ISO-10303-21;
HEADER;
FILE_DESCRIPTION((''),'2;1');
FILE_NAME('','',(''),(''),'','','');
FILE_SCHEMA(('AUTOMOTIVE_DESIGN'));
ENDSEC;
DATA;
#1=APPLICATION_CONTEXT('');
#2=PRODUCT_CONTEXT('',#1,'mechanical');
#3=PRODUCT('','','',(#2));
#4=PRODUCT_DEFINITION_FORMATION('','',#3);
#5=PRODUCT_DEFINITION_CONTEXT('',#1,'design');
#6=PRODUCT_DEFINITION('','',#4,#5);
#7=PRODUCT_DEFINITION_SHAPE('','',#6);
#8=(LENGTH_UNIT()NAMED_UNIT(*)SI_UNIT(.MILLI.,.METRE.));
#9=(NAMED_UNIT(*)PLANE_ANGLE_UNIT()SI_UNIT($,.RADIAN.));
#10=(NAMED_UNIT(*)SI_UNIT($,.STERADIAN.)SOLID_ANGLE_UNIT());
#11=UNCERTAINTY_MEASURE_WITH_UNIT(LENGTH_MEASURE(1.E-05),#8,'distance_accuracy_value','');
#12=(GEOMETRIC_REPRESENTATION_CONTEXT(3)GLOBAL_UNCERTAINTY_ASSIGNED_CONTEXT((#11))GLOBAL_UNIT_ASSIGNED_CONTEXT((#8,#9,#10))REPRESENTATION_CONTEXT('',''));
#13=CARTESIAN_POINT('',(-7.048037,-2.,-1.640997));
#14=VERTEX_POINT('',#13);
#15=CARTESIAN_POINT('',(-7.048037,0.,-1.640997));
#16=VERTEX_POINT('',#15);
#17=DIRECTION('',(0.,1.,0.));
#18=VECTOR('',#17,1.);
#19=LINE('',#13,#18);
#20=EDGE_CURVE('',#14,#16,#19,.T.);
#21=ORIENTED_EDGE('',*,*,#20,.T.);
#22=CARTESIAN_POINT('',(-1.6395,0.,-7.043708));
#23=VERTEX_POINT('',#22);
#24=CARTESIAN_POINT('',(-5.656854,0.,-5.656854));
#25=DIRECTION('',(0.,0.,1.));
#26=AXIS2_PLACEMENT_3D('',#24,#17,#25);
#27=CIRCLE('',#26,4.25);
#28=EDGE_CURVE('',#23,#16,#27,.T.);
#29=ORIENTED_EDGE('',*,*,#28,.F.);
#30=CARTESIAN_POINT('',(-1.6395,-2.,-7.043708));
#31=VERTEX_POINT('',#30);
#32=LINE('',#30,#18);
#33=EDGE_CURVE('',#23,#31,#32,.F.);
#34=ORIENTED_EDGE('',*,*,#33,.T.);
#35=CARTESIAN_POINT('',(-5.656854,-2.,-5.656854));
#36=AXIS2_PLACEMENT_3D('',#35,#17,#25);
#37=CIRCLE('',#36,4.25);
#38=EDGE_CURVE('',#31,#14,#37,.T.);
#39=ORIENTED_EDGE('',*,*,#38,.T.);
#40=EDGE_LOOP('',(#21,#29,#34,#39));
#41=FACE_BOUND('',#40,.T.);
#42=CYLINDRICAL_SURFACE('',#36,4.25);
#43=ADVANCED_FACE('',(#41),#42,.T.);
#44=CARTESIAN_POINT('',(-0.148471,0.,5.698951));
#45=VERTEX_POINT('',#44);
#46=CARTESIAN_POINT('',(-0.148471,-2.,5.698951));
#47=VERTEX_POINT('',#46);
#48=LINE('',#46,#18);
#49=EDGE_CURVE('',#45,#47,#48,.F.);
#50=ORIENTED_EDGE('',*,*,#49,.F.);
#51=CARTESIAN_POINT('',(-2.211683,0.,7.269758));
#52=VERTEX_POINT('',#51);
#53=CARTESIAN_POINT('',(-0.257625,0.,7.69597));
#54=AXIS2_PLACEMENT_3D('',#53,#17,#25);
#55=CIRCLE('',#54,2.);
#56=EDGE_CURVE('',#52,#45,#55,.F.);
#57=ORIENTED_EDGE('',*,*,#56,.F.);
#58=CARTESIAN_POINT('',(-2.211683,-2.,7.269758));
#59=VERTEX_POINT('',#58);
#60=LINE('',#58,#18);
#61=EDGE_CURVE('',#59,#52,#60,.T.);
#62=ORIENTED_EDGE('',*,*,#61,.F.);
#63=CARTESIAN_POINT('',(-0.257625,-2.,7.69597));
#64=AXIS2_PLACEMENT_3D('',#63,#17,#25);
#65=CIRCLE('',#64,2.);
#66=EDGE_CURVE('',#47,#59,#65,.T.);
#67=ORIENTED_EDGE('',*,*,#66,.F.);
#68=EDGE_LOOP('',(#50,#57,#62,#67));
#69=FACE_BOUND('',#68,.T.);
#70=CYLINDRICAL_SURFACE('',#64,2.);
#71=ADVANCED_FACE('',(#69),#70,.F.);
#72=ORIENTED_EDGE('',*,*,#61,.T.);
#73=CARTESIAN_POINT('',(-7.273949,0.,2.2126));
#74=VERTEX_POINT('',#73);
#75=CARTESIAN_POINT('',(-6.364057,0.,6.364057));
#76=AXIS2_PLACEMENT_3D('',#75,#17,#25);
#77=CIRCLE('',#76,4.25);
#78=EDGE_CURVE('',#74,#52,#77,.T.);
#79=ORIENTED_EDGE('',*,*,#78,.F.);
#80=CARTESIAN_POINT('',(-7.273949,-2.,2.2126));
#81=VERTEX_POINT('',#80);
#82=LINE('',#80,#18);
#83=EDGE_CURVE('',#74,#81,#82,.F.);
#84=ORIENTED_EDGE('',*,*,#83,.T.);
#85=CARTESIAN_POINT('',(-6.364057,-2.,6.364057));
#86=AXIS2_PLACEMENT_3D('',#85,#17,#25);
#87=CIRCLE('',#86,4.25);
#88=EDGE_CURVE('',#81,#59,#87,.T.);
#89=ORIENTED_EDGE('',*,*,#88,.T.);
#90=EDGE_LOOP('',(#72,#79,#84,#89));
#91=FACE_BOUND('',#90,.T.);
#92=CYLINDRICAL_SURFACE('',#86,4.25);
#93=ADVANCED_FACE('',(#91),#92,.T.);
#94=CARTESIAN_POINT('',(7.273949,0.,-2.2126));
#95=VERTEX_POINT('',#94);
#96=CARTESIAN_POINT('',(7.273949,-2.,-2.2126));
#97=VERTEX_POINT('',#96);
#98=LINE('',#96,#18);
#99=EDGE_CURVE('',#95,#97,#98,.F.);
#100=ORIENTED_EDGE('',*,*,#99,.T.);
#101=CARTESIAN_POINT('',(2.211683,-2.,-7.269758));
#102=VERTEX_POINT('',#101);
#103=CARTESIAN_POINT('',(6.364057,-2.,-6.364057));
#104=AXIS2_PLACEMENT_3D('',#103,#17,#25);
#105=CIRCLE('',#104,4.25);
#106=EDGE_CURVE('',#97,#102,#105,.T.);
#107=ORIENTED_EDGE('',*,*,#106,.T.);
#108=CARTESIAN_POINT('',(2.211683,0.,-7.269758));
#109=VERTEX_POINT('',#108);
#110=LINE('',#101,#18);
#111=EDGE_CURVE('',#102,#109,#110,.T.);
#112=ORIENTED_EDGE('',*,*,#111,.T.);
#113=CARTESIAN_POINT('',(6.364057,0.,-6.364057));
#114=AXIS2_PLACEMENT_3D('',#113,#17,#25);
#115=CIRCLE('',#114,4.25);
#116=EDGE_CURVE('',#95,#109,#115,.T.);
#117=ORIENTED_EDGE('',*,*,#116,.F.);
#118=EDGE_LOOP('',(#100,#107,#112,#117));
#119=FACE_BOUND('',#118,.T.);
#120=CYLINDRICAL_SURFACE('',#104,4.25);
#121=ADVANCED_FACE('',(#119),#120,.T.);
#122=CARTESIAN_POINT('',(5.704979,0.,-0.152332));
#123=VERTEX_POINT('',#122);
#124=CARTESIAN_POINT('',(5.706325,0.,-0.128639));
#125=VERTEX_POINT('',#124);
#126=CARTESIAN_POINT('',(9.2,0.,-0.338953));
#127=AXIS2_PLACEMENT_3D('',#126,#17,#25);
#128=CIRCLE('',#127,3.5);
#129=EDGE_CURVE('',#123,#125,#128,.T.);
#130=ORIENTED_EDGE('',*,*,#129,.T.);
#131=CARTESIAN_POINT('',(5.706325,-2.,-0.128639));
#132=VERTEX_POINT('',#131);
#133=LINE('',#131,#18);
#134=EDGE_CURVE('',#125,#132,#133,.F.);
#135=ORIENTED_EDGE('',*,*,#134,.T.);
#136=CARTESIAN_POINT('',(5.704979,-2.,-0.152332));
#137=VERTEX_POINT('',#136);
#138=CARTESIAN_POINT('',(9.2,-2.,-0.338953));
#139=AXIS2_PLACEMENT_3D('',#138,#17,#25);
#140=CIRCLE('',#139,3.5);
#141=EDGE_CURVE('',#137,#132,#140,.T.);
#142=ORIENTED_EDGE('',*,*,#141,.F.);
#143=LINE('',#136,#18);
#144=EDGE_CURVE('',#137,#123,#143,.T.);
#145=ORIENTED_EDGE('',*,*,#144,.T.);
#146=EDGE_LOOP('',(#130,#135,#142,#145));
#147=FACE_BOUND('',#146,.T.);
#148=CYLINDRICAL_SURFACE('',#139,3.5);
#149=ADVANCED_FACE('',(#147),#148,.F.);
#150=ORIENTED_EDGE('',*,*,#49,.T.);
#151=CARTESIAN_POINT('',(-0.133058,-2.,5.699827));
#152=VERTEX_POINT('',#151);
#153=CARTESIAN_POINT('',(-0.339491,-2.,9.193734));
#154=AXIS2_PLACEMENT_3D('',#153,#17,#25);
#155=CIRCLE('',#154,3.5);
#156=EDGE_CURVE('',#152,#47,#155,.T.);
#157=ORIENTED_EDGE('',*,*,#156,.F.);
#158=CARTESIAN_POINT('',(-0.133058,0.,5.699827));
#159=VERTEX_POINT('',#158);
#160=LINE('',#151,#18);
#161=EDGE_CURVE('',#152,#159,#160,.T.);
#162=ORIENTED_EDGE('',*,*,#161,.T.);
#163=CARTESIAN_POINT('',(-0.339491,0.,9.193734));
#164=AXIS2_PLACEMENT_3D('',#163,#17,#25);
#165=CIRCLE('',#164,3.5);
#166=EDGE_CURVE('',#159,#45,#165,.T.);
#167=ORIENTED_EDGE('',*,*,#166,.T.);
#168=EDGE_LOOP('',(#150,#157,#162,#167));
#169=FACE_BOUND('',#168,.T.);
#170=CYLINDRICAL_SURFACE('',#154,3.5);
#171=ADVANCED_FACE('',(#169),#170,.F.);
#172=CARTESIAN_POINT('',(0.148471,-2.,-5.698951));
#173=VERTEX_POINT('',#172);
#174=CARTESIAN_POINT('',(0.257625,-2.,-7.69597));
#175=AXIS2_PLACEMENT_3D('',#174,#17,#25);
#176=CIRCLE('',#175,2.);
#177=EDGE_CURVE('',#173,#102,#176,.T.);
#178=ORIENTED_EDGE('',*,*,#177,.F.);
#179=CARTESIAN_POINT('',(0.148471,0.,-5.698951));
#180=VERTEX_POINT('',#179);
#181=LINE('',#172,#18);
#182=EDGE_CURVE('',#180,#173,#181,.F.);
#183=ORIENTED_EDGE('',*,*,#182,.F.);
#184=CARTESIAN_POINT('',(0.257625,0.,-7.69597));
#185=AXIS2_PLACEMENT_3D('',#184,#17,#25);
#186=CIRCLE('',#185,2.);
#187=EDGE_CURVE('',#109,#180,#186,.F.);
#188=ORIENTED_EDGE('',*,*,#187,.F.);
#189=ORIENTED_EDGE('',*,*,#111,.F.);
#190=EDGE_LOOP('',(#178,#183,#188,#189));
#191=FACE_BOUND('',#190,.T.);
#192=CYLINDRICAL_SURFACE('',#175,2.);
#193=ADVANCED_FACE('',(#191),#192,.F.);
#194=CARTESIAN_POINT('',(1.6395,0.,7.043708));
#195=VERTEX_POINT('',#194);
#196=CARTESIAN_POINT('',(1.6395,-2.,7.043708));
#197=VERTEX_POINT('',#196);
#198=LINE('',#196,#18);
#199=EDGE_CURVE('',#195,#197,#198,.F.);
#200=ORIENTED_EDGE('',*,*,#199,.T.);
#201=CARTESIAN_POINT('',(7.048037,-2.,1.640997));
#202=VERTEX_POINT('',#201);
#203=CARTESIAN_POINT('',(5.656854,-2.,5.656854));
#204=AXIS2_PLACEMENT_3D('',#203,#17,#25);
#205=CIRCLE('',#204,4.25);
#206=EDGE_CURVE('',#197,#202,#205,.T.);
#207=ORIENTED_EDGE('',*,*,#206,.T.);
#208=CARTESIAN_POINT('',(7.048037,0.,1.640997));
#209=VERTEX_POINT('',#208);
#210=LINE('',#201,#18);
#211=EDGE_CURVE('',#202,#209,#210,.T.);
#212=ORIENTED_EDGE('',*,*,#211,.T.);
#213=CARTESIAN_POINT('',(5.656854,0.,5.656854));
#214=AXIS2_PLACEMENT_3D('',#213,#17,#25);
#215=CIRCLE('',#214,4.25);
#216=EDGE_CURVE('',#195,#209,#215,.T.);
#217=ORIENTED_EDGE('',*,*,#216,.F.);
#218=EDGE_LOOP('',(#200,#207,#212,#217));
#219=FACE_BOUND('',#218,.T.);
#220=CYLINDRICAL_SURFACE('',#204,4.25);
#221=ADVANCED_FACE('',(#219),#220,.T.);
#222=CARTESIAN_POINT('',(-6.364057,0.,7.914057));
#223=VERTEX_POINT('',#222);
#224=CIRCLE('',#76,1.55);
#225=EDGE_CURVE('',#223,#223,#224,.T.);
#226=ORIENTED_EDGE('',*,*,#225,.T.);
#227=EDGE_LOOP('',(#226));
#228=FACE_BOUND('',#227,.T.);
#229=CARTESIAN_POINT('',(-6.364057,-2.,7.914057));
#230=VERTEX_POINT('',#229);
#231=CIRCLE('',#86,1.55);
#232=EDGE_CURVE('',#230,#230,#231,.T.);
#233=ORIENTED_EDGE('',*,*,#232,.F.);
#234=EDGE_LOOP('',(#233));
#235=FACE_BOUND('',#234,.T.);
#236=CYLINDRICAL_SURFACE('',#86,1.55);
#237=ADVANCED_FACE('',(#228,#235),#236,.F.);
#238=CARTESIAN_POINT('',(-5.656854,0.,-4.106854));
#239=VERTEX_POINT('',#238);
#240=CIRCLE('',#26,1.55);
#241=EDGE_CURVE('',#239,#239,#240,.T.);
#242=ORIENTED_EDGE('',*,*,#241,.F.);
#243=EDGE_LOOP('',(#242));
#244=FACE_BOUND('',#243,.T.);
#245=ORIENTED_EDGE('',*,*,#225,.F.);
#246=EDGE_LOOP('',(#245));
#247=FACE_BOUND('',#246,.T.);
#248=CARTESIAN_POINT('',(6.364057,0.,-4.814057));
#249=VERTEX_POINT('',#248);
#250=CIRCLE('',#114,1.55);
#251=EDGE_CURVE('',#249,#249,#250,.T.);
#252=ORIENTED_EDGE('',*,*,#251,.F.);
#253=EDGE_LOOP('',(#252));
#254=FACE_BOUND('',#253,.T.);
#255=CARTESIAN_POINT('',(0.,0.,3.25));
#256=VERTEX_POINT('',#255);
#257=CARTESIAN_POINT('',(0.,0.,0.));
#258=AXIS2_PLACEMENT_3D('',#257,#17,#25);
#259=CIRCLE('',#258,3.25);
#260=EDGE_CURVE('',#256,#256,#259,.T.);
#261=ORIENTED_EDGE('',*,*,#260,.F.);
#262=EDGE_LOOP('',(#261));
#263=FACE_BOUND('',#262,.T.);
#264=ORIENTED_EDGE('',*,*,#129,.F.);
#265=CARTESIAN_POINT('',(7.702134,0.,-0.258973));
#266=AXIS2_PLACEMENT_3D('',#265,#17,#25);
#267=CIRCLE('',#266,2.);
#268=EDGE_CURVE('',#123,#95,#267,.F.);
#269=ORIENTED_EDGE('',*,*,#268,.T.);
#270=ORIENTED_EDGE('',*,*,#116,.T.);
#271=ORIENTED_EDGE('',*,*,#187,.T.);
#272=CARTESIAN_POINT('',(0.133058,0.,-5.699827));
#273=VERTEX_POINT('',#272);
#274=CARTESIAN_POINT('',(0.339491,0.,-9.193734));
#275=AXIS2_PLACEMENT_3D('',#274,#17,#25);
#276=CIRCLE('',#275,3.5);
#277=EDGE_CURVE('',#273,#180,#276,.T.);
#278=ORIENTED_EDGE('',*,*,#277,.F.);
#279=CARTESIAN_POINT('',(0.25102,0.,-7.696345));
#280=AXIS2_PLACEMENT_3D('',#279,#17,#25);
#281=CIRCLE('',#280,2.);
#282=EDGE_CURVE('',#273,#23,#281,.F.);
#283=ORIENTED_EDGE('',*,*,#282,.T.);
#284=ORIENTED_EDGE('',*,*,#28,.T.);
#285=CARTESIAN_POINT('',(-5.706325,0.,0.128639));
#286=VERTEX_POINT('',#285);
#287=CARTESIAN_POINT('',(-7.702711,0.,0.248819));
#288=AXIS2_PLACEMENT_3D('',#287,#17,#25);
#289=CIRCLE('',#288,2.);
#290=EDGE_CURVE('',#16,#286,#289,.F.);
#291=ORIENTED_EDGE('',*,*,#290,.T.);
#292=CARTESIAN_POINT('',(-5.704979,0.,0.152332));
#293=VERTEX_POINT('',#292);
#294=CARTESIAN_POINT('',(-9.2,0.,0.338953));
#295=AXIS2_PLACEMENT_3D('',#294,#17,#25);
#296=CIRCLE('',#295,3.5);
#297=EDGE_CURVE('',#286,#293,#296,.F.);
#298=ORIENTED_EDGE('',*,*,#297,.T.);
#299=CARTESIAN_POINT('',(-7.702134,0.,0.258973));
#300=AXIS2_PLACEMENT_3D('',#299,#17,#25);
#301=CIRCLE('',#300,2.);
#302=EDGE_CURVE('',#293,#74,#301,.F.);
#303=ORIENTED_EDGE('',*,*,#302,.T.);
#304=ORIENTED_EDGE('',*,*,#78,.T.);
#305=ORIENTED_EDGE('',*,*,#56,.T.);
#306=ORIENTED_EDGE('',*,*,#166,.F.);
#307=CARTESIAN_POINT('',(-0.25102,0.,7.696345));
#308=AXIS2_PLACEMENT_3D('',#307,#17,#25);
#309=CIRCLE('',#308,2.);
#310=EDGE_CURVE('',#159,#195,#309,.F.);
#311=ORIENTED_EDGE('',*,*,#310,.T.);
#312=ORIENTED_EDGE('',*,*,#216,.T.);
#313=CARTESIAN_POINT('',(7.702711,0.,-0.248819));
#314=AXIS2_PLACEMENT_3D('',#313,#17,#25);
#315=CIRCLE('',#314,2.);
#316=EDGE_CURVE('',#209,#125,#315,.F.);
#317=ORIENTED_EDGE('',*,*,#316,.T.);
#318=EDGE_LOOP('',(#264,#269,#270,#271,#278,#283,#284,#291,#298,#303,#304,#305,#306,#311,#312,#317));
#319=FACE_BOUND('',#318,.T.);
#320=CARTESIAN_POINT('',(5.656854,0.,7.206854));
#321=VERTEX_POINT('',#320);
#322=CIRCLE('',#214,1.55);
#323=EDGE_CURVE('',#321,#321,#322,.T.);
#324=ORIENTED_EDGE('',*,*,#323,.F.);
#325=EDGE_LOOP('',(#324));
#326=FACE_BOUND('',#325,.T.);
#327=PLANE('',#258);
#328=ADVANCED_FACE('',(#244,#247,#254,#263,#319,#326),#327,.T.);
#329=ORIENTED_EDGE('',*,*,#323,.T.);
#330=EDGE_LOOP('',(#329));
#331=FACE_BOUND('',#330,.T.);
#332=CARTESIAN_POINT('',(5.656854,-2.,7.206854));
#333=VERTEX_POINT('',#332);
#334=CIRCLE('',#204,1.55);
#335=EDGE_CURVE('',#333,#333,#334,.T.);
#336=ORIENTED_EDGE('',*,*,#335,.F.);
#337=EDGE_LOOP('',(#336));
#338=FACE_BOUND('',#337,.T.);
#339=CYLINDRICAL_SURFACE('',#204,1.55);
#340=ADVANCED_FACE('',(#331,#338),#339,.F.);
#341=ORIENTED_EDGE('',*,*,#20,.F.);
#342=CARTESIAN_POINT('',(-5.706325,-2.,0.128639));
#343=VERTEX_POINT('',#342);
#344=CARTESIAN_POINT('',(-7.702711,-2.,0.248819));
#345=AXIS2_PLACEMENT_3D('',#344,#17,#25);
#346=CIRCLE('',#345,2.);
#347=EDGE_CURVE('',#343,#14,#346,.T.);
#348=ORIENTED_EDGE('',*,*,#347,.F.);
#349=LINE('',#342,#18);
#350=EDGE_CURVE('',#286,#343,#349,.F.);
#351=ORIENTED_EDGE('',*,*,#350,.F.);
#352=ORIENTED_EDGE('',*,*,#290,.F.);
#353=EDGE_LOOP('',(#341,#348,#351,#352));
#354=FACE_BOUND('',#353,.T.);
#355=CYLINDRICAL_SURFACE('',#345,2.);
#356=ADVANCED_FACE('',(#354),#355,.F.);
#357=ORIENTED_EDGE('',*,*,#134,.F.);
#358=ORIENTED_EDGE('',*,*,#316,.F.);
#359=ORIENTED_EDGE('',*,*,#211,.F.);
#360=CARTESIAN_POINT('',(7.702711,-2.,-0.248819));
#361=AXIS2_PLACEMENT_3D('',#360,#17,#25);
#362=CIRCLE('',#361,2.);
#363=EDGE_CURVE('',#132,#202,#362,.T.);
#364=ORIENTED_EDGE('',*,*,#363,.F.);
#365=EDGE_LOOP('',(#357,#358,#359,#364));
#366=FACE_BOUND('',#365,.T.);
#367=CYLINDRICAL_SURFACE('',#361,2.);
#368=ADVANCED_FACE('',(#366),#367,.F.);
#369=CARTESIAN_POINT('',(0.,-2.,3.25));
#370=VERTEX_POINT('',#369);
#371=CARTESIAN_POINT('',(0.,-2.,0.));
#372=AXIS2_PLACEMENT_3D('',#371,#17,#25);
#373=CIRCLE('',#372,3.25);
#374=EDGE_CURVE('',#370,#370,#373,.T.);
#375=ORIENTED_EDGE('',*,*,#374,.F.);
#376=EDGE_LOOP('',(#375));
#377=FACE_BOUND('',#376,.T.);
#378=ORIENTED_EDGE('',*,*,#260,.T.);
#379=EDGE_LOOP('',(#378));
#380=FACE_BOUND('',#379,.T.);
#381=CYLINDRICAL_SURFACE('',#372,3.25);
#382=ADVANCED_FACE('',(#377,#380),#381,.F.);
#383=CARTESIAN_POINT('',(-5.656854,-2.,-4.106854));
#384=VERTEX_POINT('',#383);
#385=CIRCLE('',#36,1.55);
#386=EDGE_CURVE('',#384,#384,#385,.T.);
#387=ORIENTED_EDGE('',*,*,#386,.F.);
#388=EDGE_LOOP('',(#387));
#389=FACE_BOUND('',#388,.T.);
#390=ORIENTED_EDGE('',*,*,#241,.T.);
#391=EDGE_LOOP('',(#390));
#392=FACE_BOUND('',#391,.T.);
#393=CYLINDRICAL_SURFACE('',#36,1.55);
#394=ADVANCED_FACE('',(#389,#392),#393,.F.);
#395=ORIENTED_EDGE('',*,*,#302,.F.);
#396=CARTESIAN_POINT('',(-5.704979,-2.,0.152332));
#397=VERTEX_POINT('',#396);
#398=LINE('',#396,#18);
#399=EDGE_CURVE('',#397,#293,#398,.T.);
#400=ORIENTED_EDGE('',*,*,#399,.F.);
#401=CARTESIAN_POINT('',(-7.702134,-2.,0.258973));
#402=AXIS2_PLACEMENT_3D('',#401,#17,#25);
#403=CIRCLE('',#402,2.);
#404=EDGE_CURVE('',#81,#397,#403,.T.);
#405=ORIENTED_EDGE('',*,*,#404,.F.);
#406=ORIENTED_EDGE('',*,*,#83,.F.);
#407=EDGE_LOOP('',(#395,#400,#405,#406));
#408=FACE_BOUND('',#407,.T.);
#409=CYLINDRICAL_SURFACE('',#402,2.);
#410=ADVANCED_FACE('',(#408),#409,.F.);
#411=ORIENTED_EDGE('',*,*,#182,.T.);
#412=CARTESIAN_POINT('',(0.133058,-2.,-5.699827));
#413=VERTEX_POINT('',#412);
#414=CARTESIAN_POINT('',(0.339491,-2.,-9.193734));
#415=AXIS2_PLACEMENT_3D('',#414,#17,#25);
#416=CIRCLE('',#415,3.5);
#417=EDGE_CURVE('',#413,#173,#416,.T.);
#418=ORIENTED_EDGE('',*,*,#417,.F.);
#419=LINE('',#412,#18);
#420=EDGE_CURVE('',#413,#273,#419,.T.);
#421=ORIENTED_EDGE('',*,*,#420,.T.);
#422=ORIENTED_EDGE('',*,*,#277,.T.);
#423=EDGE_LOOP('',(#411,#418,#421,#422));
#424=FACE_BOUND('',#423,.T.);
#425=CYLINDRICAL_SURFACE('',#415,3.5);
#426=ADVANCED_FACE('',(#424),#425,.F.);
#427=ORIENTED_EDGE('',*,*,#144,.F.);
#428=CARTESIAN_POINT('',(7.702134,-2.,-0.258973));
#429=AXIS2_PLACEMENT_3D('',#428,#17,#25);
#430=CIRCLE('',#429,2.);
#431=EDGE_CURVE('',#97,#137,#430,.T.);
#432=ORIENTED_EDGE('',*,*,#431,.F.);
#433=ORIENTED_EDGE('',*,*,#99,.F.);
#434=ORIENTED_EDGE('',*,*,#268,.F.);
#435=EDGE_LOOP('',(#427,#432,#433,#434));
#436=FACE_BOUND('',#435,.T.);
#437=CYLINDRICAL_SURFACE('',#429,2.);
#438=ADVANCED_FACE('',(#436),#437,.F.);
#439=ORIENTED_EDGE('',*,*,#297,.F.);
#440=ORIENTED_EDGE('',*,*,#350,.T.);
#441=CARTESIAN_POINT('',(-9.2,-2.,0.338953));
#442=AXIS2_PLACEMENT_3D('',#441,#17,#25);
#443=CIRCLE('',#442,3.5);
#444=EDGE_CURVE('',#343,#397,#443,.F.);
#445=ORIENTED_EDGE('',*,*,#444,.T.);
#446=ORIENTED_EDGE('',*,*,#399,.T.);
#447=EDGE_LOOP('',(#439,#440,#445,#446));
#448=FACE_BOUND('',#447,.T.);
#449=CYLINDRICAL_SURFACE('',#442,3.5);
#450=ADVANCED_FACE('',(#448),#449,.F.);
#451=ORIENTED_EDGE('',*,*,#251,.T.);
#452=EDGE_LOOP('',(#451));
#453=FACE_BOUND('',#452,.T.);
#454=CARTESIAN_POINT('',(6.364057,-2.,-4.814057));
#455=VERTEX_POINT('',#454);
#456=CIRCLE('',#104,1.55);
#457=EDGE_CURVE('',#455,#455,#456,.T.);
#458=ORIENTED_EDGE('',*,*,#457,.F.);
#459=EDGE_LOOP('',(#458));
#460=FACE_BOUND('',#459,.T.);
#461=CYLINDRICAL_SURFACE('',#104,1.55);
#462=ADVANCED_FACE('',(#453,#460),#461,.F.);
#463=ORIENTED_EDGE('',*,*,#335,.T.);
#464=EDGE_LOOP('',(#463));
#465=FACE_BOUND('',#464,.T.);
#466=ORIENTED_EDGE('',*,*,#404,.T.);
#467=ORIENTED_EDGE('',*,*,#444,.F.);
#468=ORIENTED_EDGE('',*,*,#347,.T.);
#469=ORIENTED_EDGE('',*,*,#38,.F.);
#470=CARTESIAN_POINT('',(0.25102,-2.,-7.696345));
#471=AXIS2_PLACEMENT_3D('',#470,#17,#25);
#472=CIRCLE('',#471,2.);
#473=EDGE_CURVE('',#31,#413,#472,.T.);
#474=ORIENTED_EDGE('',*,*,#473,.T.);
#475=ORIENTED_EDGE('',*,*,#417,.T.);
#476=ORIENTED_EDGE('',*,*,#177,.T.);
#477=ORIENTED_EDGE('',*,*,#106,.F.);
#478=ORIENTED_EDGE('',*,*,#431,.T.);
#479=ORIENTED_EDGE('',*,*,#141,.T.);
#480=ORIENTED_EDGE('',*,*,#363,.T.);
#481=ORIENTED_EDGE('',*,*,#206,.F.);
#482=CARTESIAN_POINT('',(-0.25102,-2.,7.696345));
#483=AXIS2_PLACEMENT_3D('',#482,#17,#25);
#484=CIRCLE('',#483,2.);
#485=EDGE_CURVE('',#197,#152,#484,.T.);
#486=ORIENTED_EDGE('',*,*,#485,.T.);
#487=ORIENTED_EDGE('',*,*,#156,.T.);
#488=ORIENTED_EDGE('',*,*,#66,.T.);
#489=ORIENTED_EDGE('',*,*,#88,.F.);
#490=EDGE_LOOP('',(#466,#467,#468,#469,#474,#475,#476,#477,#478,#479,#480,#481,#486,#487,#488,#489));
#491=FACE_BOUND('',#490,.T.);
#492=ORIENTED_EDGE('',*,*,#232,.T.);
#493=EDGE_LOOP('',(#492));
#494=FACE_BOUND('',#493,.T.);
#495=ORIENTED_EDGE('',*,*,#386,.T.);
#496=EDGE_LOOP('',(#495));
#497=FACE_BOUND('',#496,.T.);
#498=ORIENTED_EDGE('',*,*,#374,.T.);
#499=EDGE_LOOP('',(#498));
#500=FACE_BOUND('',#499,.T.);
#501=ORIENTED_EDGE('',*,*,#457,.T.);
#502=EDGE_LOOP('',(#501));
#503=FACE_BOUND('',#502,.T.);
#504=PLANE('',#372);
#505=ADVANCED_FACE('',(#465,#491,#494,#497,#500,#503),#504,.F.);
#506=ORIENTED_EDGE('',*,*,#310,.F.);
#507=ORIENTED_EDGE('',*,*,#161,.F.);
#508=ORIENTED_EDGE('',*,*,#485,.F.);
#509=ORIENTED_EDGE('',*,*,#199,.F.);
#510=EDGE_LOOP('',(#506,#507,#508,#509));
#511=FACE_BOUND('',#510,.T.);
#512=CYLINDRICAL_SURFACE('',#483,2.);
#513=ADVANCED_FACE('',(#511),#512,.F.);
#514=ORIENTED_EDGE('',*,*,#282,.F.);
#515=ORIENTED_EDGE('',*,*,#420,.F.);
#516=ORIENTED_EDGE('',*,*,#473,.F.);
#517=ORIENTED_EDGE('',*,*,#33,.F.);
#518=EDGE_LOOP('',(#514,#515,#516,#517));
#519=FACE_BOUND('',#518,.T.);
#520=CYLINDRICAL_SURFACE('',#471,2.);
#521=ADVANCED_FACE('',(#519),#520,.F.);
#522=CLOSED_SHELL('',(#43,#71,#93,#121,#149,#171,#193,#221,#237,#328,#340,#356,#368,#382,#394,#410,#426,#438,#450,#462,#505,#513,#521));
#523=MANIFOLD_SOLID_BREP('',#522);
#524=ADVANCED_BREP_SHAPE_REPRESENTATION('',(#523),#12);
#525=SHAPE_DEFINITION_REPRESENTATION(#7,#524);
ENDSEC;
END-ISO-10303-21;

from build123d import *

# Parameters (mm, degrees)
SKETCH1_R           = 1.55
SKETCH1_R_2         = 3.25
BOSS_EXTRUDE2_DEPTH = 2
FILLET1_R           = 2


with BuildPart() as part:
    # Sketch1 → Boss-Extrude2 (new body)
    with BuildSketch(Plane(origin=(0, 0, 0), x_dir=(1, 0, 0), z_dir=(0, 1, 0))):
        with BuildLine():
            ThreePointArc((-1.43909166, 6.179327925), (-8.65976943, 8.664344967), (-6.18574902, 1.439892035))
            ThreePointArc((-6.18574902, 1.439892035), (-5.7, -0.338953386), (-6.18574902, -2.117798807))
            ThreePointArc((-6.18574902, -2.117798807), (-9.366987419, -9.371531966), (-2.118073304, -6.179327925))
            ThreePointArc((-2.118073304, -6.179327925), (-0.339490822, -5.693734061), (1.43909166, -6.179327925))
            ThreePointArc((1.43909166, -6.179327925), (8.65976943, -8.664344967), (6.18574902, -1.439892035))
            ThreePointArc((6.18574902, -1.439892035), (5.7, 0.338953386), (6.18574902, 2.117798807))
            ThreePointArc((6.18574902, 2.117798807), (9.366987419, 9.371531966), (2.118073304, 6.179327925))
            ThreePointArc((2.118073304, 6.179327925), (0.339490822, 5.693734061), (-1.43909166, 6.179327925))
        make_face()
        with Locations(Location((-6.364056731, -6.364056731, 0), (0, 0, 270))):
            Circle(SKETCH1_R, mode=Mode.SUBTRACT)
        with Locations(Location((6.364056731, 6.364056731, 0), (0, 0, 270))):
            Circle(SKETCH1_R, mode=Mode.SUBTRACT)
        with Locations(Location((5.656854249, -5.656854249, 0), (0, 0, 270))):
            Circle(SKETCH1_R, mode=Mode.SUBTRACT)
        with Locations(Location((-5.656854249, 5.656854249, 0), (0, 0, 270))):
            Circle(SKETCH1_R, mode=Mode.SUBTRACT)
        with Locations(Location((0, 0, 0), (0, 0, 270))):
            Circle(SKETCH1_R_2, mode=Mode.SUBTRACT)
    extrude(amount=-BOSS_EXTRUDE2_DEPTH)

    # Fillet1
    fillet1_edges = [part.edges().sort_by_distance(p)[0] for p in [
        (-2.118073304, -1, 6.179327925),
        (-6.18574902, -1, 2.117798807),
        (-6.18574902, -1, -1.439892035),
        (-1.43909166, -1, -6.179327925),
        (2.118073304, -1, -6.179327925),
        (6.18574902, -1, -2.117798807),
        (6.18574902, -1, 1.439892035),
        (1.43909166, -1, 6.179327925),
    ]]
    fillet(fillet1_edges, radius=FILLET1_R)


solid = part.part
